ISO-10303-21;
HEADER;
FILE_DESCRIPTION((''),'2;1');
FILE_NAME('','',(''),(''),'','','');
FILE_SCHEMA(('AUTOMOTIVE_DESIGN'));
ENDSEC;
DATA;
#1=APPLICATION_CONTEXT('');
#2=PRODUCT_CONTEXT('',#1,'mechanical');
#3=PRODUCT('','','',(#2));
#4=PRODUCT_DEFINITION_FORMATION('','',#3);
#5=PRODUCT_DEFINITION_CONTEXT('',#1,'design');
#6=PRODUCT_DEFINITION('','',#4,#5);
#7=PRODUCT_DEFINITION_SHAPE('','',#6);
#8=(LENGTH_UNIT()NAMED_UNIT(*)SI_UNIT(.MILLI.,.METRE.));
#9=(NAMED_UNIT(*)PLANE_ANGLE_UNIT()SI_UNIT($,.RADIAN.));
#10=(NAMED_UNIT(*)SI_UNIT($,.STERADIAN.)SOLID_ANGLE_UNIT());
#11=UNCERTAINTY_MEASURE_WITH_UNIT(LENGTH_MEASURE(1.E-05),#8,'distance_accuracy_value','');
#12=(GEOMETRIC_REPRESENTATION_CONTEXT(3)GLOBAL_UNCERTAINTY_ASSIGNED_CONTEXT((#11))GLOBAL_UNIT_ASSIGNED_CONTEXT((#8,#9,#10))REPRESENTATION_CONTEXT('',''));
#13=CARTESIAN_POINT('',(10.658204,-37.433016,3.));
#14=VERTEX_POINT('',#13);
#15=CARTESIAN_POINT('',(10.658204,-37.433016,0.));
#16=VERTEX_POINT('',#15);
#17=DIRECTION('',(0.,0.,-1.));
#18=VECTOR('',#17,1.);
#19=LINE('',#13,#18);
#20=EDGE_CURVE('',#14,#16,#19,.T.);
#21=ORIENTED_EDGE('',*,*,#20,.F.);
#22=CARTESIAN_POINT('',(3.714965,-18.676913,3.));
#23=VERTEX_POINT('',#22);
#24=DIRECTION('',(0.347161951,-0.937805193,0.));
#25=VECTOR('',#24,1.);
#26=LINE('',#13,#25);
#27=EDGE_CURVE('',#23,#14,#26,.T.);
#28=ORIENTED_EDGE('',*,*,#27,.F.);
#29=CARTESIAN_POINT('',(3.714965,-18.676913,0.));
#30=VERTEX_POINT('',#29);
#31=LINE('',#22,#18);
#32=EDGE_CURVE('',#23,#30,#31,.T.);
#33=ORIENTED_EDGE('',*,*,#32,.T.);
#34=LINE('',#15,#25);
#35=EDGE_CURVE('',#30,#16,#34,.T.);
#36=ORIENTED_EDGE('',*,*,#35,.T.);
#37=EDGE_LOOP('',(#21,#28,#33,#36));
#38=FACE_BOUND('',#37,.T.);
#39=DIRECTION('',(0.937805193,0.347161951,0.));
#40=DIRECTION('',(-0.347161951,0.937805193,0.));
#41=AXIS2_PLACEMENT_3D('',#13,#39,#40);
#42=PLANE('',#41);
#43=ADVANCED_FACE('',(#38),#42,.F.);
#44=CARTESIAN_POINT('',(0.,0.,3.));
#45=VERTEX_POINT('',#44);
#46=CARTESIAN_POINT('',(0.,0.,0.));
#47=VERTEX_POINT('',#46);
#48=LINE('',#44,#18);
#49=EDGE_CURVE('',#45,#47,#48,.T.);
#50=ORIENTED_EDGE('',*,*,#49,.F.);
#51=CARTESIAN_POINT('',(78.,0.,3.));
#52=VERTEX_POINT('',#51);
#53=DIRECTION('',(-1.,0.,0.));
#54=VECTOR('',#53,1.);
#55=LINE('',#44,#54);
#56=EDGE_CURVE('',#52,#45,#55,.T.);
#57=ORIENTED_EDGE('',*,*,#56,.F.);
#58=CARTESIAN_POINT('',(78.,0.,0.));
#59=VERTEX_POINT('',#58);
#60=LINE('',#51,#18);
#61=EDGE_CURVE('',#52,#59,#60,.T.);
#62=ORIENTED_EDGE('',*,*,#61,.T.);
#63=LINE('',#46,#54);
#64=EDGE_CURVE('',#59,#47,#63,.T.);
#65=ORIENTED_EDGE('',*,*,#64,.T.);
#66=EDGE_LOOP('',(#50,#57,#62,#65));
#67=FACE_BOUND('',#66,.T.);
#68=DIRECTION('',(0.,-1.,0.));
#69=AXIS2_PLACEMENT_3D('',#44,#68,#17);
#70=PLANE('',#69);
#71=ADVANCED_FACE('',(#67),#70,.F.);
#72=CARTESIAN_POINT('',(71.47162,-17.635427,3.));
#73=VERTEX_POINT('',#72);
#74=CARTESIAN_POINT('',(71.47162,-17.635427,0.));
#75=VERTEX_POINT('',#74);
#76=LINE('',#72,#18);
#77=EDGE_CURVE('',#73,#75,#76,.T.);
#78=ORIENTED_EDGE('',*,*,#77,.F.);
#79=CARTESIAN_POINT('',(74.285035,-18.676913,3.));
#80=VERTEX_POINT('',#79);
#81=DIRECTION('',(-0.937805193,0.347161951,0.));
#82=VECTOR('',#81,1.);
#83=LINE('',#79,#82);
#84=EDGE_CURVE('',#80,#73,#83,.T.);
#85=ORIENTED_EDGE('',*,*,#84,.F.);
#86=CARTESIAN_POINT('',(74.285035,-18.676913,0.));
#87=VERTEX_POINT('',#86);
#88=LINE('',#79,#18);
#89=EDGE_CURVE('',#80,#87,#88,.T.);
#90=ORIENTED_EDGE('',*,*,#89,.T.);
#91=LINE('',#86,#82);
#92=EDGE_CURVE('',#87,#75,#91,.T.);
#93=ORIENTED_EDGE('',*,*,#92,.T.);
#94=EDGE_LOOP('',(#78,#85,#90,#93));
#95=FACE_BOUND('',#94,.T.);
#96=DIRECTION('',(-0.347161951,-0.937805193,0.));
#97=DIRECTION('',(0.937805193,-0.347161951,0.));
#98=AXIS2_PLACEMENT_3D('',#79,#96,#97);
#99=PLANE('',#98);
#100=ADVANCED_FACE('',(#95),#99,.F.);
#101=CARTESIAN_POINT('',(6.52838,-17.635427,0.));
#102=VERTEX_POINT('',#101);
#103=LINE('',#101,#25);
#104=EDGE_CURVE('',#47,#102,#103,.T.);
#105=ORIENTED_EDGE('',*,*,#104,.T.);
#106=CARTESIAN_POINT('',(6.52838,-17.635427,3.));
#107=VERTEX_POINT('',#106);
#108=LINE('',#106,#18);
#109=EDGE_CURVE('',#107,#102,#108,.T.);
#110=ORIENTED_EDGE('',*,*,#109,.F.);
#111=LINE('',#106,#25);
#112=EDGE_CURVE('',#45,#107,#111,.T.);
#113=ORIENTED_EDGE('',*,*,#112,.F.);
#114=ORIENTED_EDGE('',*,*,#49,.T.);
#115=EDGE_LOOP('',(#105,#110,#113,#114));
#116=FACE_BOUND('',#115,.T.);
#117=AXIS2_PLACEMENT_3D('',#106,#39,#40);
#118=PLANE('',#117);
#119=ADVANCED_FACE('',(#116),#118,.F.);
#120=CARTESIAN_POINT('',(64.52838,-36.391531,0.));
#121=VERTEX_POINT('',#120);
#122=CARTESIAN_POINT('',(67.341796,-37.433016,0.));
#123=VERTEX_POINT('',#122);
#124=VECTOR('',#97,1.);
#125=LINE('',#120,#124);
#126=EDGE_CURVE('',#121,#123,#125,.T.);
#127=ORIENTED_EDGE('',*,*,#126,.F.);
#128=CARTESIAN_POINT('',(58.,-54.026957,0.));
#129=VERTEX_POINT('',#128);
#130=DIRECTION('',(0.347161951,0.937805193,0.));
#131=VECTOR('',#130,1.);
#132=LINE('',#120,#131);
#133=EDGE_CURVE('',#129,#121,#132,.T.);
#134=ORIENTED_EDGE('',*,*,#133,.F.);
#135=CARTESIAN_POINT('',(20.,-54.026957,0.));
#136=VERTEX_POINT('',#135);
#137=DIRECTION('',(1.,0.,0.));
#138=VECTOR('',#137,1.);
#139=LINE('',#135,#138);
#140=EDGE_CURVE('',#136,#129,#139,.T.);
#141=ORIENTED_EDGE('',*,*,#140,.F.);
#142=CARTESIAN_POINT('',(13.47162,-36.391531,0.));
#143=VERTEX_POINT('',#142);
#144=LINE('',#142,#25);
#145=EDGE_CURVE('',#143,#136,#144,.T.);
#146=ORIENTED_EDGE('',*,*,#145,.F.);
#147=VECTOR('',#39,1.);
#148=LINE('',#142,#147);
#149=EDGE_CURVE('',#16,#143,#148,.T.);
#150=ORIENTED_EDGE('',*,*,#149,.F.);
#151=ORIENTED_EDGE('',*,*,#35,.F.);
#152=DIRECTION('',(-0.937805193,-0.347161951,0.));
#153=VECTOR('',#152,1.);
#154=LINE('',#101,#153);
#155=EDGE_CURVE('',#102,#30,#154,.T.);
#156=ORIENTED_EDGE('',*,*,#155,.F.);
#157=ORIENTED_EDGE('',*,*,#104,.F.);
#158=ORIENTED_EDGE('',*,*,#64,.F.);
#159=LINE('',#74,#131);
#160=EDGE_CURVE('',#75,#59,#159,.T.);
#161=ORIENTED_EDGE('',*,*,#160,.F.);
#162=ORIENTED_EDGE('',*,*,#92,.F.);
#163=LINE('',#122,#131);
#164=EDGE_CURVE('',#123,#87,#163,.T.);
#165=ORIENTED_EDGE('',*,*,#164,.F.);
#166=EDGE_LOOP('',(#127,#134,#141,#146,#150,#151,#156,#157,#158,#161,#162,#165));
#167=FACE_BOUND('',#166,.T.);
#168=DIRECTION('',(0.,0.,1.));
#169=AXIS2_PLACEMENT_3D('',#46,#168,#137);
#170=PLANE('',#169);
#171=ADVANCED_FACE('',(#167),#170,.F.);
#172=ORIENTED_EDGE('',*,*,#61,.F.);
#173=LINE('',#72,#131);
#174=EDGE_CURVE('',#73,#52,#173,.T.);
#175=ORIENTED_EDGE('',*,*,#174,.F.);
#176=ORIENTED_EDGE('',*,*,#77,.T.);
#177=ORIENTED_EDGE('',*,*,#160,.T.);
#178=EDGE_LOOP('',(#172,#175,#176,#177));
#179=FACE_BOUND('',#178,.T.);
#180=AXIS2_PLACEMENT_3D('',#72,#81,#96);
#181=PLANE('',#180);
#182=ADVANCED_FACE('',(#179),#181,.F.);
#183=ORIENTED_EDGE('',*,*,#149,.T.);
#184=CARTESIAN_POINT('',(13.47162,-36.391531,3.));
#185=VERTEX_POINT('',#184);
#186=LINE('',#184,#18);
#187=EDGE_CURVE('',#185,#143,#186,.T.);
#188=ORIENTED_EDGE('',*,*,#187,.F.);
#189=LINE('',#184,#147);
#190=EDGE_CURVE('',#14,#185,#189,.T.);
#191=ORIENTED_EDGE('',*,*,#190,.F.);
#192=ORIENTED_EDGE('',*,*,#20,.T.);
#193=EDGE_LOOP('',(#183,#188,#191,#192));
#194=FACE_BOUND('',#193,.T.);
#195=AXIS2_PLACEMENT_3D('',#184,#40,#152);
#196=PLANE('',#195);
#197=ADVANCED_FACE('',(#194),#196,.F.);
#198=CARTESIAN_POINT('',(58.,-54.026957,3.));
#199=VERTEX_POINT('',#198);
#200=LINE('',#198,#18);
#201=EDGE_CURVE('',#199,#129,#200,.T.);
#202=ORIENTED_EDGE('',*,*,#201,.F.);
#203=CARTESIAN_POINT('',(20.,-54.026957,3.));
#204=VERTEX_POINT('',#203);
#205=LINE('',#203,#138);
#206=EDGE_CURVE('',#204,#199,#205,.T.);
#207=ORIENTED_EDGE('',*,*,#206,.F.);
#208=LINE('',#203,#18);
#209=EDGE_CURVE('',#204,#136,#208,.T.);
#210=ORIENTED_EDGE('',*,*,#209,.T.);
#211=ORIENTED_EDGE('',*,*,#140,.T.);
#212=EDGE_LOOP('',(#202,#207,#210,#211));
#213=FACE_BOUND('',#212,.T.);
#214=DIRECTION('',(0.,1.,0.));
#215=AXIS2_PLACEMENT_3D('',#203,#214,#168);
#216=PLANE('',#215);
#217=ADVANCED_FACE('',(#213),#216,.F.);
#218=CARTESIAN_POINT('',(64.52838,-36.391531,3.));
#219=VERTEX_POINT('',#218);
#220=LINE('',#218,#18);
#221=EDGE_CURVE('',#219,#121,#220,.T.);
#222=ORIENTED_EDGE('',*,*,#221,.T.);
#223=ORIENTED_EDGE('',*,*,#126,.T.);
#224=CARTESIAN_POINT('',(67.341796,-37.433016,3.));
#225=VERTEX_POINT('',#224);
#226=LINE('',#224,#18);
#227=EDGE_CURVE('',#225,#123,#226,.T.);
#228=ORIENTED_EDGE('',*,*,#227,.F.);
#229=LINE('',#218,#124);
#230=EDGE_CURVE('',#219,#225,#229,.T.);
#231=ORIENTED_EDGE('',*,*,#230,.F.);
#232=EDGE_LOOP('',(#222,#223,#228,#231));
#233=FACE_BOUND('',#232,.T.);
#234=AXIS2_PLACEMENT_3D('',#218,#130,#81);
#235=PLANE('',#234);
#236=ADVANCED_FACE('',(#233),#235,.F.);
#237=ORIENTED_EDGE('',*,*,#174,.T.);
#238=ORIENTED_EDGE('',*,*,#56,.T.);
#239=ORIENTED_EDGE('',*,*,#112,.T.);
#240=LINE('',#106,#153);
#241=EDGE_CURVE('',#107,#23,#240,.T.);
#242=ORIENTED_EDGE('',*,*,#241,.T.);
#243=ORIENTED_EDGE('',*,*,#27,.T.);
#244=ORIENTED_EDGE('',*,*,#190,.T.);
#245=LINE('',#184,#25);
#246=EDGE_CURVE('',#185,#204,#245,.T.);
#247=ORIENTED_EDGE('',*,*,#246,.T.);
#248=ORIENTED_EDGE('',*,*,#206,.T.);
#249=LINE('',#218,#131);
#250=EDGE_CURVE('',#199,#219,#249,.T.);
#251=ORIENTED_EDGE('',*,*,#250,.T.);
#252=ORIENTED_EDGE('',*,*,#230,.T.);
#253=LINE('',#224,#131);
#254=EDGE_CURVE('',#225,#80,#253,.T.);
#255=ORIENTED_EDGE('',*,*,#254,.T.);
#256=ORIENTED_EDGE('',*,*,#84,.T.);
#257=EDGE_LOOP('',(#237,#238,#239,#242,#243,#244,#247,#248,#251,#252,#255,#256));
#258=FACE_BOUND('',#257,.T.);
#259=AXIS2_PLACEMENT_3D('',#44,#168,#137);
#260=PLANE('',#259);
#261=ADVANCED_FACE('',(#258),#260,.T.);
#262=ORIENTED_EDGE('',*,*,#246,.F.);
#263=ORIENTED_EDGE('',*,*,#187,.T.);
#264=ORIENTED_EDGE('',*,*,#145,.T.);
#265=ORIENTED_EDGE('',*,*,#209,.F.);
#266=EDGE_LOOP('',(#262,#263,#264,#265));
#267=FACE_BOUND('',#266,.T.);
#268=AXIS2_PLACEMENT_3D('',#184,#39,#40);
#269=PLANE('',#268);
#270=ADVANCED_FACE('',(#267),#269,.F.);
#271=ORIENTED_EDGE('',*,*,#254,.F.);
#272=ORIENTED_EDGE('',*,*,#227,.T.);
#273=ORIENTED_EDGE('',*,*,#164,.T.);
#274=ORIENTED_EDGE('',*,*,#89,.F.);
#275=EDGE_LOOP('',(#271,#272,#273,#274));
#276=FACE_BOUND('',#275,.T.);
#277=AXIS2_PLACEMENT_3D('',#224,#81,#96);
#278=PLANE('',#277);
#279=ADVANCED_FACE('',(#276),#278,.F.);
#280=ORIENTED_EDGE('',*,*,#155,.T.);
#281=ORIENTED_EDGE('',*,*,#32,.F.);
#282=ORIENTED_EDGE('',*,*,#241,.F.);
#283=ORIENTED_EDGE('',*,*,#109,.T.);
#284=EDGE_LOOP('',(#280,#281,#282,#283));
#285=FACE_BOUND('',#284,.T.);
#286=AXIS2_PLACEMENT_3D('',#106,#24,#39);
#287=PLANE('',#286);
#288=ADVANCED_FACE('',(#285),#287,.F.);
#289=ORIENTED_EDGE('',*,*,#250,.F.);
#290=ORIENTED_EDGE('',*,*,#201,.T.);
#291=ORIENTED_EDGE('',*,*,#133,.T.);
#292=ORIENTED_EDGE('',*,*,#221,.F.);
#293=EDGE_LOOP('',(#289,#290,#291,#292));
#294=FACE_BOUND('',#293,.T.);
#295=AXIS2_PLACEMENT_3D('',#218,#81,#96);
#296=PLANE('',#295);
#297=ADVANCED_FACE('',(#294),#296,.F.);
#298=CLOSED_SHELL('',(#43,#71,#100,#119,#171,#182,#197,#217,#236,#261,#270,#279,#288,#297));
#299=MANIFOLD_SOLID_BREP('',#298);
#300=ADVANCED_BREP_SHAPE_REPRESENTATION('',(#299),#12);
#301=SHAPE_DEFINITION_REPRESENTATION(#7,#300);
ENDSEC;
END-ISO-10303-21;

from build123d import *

# Parameters (mm, degrees)
BOSS_EXTRU_1_DEPTH = 3


with BuildPart() as part:
    # Esquisse1 → Boss.-Extru.1 (new body)
    with BuildSketch(Plane.XY):
        Polygon((0, 0), (78, 0), (71.471619511, -17.635426652), (74.285035089, -18.676912505), (67.341796068, -37.433016362), (64.528380489, -36.391530509), (58, -54.02695716), (20, -54.02695716), (13.471619511, -36.391530509), (10.658203932, -37.433016362), (3.714964911, -18.676912505), (6.528380489, -17.635426652), align=None)
    extrude(amount=BOSS_EXTRU_1_DEPTH)


solid = part.part
